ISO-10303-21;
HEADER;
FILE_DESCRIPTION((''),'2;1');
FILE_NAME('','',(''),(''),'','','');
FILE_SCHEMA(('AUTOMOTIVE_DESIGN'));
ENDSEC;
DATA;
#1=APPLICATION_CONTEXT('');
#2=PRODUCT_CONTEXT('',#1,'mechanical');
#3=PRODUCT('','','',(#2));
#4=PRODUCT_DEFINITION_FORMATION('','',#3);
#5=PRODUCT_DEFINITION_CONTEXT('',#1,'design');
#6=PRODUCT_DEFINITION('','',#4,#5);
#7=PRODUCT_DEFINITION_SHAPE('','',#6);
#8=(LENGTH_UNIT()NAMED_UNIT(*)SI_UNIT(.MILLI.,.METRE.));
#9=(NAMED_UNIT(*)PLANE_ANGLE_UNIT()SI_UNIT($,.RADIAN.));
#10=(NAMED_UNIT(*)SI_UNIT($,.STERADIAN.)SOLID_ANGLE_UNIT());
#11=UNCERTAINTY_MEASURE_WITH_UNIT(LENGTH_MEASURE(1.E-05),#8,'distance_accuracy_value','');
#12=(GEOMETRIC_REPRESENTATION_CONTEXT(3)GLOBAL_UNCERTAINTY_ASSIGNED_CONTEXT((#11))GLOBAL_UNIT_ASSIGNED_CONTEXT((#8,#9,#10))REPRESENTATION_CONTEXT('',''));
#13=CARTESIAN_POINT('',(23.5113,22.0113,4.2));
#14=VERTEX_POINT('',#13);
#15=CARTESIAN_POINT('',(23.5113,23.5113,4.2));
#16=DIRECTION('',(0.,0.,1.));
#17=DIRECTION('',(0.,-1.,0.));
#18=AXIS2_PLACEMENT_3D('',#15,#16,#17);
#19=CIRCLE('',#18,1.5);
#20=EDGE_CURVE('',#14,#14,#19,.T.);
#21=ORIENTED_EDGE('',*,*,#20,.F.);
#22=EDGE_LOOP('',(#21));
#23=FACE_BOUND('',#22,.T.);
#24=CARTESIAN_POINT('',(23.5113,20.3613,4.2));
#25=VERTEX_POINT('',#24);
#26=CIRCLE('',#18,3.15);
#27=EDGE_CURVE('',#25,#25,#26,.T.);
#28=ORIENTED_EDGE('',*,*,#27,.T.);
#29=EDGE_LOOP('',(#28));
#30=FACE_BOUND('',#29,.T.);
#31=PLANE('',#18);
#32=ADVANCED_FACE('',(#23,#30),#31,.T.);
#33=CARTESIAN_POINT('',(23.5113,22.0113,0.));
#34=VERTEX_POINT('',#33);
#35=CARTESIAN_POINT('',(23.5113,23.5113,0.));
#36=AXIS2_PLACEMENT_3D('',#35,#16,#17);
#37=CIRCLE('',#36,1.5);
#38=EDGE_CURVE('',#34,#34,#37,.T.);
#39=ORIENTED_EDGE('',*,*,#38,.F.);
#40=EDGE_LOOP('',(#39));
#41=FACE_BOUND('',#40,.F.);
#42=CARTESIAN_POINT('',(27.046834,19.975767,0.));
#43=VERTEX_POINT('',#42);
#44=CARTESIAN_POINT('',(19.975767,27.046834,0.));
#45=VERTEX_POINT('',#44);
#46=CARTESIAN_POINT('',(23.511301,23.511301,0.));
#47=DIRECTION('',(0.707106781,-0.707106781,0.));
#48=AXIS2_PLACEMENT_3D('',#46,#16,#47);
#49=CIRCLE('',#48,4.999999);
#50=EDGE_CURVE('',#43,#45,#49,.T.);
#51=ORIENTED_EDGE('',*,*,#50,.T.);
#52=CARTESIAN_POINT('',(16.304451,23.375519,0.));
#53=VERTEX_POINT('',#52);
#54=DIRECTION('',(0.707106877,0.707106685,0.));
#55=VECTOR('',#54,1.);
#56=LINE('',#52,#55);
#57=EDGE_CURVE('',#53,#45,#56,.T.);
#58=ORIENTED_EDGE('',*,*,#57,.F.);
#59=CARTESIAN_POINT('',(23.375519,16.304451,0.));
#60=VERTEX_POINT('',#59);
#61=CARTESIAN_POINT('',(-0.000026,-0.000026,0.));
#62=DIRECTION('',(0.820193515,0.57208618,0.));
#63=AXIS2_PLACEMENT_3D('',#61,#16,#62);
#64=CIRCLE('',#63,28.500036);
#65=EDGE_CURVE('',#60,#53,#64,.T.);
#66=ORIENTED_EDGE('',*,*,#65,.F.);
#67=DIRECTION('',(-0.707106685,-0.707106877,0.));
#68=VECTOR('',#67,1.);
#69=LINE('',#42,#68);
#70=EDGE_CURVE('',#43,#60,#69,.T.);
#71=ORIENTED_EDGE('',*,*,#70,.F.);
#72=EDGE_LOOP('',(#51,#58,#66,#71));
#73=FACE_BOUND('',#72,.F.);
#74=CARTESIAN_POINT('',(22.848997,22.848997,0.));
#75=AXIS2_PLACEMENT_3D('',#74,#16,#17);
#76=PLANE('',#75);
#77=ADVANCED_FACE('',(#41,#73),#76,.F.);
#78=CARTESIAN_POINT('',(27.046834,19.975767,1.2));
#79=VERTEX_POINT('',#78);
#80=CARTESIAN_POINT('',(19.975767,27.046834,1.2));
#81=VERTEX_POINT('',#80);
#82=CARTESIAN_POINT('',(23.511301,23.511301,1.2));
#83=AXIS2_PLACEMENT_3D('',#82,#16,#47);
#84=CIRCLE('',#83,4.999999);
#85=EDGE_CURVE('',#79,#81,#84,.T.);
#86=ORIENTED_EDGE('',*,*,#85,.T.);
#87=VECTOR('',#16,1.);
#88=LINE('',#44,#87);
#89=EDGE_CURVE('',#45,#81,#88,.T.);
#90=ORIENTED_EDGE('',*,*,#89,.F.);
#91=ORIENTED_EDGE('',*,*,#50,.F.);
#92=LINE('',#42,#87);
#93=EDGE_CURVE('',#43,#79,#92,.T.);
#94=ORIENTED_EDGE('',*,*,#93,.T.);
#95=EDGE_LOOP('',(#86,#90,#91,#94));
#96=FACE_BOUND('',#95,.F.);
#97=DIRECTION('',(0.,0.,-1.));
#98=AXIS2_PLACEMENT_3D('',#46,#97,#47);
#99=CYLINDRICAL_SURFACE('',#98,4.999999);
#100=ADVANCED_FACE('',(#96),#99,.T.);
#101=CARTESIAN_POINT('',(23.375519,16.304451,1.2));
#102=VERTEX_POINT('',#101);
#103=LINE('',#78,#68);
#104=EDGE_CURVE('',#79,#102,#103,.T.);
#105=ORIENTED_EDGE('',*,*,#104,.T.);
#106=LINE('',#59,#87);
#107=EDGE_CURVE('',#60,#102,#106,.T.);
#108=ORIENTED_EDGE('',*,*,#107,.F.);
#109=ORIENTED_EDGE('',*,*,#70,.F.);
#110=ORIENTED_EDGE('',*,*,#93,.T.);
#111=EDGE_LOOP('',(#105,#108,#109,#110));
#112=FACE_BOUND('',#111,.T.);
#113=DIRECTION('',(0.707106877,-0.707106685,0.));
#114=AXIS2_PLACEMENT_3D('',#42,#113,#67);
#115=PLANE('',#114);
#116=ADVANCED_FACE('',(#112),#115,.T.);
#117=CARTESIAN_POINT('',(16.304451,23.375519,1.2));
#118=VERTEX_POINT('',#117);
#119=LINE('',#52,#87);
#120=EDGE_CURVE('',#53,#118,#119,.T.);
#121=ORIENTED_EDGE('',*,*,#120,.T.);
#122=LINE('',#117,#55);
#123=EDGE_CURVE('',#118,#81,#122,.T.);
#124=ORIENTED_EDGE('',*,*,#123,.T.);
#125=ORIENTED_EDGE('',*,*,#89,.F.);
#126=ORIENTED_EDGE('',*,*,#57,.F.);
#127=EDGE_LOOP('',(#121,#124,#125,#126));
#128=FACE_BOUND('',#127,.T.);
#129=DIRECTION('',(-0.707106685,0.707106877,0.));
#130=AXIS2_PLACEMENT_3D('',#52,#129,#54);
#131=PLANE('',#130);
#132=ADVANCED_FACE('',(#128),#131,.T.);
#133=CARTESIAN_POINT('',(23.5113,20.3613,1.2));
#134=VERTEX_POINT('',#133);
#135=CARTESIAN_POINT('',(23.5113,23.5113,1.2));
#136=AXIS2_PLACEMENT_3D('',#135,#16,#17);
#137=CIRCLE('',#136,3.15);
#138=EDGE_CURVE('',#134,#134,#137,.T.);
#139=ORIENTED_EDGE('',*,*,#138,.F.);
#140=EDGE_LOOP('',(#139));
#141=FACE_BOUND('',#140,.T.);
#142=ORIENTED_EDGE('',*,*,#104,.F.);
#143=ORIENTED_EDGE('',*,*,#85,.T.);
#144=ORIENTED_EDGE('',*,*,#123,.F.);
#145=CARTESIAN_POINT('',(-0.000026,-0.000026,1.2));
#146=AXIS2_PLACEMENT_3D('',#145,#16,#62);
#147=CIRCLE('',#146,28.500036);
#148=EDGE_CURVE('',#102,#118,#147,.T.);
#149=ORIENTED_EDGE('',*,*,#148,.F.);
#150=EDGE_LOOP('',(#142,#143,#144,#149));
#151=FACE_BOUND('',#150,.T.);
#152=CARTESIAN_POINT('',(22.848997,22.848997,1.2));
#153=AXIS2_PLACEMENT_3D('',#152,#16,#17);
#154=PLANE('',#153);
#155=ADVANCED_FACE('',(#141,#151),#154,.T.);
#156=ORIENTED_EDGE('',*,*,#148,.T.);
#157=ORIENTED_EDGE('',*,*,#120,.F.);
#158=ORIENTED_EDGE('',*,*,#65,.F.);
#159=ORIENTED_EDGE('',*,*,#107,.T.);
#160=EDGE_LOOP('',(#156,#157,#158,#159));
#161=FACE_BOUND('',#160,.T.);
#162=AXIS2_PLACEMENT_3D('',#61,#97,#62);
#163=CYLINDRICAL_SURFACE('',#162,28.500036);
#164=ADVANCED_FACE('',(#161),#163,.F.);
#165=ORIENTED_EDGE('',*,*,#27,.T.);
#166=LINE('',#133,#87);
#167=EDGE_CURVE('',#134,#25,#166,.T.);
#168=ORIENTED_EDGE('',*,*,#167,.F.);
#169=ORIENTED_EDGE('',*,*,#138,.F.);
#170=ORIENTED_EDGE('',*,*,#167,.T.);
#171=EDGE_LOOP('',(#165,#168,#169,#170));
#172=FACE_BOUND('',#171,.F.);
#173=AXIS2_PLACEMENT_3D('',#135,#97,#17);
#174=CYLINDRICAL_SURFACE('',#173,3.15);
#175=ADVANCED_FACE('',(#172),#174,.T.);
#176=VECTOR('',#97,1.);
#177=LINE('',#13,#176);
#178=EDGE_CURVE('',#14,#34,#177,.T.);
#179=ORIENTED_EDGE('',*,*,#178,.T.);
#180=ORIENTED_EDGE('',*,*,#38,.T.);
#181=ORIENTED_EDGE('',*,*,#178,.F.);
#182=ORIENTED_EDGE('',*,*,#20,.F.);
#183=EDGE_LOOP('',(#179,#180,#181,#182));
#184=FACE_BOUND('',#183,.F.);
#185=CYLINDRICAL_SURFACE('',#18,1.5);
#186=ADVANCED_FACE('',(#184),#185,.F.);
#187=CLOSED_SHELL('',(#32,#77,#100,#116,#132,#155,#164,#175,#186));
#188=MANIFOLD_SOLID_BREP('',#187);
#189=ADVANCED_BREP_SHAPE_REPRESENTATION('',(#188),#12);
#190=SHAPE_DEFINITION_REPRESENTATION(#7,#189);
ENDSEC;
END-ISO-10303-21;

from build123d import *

# Parameters (mm, degrees)
PAD_DEPTH                = 1.2
SKETCH001_R              = 3.15
PAD001_DEPTH             = 3
SKETCH002_R              = 0.8
POCKET_DEPTH             = 4.201
SKETCH003_R              = 1.5
POCKET001_DEPTH          = 5
CLONE002_PLACEMENT_ANGLE = -90


with BuildPart() as part:
    # Sketch → Pad (new body)
    with BuildSketch(Plane.XY):
        with BuildLine():
            ThreePointArc((-19.975767, 27.046834), (-27.046834, 27.046834), (-27.046834, 19.975767))
            Line((-23.375519, 16.304451), (-27.046834, 19.975767))
            ThreePointArc((-16.304451, 23.375519), (-20.152543, 20.152543), (-23.375519, 16.304451))
            Line((-19.975767, 27.046834), (-16.304451, 23.375519))
        make_face()
    extrude(amount=PAD_DEPTH)

    # Sketch001 → Pad001 (new body)
    with BuildSketch(Plane.XY.offset(1.2)):
        with Locations((-23.5113, 23.5113)):
            Circle(SKETCH001_R)
    extrude(amount=PAD001_DEPTH)

    # Sketch002 → Pocket (cut, through all)
    with BuildSketch(Plane.XY.offset(4.2)):
        with Locations((-23.5113, 23.5113)):
            Circle(SKETCH002_R)
    extrude(amount=-POCKET_DEPTH, mode=Mode.SUBTRACT)

    # Sketch003 → Pocket001 (cut)
    with BuildSketch(Plane.XY.offset(4.2)):
        with Locations((-23.5113, 23.5113)):
            Circle(SKETCH003_R)
    extrude(amount=-POCKET001_DEPTH, mode=Mode.SUBTRACT)


with BuildPart() as part_1:
    # Clone002 placement: moved
    add(part.part.rotate(Axis((0, 0, 0), (0, 0, 1)), CLONE002_PLACEMENT_ANGLE))


solid = part_1.part
